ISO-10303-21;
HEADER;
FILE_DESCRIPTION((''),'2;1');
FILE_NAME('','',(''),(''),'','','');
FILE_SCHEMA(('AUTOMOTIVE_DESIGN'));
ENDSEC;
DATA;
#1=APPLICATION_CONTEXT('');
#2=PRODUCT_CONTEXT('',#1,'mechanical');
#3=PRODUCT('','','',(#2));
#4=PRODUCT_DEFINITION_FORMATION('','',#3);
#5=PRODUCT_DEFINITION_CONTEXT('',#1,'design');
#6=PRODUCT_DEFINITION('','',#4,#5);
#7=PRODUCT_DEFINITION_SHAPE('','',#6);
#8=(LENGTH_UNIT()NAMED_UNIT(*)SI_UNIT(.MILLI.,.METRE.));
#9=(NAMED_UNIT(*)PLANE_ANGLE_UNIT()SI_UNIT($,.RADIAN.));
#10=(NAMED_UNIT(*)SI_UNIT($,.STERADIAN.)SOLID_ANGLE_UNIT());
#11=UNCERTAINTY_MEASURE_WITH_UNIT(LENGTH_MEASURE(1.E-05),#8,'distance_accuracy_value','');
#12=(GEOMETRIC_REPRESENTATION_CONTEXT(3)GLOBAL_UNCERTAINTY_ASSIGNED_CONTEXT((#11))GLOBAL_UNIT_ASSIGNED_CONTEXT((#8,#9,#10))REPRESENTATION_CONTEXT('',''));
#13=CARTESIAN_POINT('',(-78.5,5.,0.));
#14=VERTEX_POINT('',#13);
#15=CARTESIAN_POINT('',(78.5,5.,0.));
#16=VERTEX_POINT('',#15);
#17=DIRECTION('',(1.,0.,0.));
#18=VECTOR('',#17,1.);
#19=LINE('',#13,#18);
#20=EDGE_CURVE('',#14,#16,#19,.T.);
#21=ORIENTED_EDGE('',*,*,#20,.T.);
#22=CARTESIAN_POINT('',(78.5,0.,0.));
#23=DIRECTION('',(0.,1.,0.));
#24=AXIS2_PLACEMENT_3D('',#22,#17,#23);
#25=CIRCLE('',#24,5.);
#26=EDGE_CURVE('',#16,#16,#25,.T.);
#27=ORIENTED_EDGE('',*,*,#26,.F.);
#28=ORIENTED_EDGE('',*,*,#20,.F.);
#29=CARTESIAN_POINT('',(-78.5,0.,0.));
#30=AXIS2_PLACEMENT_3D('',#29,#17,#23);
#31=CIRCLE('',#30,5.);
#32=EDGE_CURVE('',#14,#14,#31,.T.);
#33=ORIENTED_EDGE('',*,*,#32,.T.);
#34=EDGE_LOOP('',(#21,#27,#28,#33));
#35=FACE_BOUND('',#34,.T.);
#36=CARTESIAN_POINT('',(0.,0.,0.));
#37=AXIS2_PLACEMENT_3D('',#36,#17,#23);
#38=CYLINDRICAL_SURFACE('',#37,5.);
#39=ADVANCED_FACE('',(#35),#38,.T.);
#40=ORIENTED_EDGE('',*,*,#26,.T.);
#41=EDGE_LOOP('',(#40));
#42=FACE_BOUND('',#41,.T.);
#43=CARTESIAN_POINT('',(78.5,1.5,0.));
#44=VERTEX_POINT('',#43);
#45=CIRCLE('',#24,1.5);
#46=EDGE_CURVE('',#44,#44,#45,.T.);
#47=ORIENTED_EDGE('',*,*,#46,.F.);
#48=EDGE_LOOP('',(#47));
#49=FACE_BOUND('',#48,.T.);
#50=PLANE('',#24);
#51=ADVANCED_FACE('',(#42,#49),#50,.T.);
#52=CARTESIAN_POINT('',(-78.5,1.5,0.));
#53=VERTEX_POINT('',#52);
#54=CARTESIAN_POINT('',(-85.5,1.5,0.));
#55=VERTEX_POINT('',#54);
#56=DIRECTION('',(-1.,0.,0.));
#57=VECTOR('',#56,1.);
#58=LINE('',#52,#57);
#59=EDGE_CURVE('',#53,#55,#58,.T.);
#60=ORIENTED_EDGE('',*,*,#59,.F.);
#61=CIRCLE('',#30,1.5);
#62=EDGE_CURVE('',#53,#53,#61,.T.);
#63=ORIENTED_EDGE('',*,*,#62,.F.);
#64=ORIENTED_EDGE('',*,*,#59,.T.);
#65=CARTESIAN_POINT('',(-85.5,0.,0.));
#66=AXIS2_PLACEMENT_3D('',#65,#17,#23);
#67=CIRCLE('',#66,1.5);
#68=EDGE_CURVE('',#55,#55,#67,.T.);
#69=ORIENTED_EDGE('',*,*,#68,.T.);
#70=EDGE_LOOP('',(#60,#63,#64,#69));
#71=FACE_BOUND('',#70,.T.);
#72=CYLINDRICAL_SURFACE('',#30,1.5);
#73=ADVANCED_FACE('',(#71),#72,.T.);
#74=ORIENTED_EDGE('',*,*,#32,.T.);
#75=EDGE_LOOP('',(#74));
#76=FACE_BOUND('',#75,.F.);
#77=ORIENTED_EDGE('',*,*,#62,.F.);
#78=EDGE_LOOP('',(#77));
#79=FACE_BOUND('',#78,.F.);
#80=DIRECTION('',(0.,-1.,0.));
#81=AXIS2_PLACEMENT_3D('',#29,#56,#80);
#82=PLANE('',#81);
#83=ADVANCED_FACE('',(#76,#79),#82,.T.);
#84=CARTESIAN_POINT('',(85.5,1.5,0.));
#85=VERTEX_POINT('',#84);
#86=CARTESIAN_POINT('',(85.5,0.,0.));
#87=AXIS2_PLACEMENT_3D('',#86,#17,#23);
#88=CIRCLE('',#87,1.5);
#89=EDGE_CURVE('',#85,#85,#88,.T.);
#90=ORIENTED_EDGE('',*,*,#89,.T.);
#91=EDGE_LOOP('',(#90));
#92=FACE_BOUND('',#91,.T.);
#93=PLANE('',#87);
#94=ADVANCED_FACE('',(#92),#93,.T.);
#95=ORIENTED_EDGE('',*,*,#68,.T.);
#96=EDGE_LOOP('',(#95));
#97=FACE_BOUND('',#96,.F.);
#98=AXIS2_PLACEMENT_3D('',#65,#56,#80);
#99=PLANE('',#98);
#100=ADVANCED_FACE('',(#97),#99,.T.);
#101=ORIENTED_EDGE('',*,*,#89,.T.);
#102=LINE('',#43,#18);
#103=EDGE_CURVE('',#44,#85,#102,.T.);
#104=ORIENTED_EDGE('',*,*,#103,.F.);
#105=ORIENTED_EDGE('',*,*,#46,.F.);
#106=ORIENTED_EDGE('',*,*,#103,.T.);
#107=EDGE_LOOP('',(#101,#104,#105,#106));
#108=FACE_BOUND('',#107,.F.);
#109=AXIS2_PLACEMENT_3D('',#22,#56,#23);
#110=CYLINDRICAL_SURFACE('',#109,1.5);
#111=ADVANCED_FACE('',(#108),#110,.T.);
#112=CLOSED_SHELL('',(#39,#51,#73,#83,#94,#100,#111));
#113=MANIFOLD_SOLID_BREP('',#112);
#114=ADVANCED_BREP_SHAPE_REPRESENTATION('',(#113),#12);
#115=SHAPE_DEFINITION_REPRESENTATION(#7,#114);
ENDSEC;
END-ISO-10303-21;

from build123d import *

# Parameters (mm, degrees)
F0_R     = 5
F1_DEPTH = 78.5
F2_R     = 1.5
F3_DEPTH = 7


with BuildPart() as f1:
    # F0 (on Right) → F1 (new body)
    with BuildSketch(Plane.YZ):
        Circle(F0_R)
    extrude(amount=F1_DEPTH)

    # F2 (on face) → F3 (join)
    with BuildSketch(Plane.YZ.offset(78.5)):
        Circle(F2_R)
    extrude(amount=F3_DEPTH)

    # F4: F1 across plane


with BuildPart() as f1_1:
    add(f1.part)
    add(f1.part.mirror(Plane.YZ))


solid = f1_1.part
